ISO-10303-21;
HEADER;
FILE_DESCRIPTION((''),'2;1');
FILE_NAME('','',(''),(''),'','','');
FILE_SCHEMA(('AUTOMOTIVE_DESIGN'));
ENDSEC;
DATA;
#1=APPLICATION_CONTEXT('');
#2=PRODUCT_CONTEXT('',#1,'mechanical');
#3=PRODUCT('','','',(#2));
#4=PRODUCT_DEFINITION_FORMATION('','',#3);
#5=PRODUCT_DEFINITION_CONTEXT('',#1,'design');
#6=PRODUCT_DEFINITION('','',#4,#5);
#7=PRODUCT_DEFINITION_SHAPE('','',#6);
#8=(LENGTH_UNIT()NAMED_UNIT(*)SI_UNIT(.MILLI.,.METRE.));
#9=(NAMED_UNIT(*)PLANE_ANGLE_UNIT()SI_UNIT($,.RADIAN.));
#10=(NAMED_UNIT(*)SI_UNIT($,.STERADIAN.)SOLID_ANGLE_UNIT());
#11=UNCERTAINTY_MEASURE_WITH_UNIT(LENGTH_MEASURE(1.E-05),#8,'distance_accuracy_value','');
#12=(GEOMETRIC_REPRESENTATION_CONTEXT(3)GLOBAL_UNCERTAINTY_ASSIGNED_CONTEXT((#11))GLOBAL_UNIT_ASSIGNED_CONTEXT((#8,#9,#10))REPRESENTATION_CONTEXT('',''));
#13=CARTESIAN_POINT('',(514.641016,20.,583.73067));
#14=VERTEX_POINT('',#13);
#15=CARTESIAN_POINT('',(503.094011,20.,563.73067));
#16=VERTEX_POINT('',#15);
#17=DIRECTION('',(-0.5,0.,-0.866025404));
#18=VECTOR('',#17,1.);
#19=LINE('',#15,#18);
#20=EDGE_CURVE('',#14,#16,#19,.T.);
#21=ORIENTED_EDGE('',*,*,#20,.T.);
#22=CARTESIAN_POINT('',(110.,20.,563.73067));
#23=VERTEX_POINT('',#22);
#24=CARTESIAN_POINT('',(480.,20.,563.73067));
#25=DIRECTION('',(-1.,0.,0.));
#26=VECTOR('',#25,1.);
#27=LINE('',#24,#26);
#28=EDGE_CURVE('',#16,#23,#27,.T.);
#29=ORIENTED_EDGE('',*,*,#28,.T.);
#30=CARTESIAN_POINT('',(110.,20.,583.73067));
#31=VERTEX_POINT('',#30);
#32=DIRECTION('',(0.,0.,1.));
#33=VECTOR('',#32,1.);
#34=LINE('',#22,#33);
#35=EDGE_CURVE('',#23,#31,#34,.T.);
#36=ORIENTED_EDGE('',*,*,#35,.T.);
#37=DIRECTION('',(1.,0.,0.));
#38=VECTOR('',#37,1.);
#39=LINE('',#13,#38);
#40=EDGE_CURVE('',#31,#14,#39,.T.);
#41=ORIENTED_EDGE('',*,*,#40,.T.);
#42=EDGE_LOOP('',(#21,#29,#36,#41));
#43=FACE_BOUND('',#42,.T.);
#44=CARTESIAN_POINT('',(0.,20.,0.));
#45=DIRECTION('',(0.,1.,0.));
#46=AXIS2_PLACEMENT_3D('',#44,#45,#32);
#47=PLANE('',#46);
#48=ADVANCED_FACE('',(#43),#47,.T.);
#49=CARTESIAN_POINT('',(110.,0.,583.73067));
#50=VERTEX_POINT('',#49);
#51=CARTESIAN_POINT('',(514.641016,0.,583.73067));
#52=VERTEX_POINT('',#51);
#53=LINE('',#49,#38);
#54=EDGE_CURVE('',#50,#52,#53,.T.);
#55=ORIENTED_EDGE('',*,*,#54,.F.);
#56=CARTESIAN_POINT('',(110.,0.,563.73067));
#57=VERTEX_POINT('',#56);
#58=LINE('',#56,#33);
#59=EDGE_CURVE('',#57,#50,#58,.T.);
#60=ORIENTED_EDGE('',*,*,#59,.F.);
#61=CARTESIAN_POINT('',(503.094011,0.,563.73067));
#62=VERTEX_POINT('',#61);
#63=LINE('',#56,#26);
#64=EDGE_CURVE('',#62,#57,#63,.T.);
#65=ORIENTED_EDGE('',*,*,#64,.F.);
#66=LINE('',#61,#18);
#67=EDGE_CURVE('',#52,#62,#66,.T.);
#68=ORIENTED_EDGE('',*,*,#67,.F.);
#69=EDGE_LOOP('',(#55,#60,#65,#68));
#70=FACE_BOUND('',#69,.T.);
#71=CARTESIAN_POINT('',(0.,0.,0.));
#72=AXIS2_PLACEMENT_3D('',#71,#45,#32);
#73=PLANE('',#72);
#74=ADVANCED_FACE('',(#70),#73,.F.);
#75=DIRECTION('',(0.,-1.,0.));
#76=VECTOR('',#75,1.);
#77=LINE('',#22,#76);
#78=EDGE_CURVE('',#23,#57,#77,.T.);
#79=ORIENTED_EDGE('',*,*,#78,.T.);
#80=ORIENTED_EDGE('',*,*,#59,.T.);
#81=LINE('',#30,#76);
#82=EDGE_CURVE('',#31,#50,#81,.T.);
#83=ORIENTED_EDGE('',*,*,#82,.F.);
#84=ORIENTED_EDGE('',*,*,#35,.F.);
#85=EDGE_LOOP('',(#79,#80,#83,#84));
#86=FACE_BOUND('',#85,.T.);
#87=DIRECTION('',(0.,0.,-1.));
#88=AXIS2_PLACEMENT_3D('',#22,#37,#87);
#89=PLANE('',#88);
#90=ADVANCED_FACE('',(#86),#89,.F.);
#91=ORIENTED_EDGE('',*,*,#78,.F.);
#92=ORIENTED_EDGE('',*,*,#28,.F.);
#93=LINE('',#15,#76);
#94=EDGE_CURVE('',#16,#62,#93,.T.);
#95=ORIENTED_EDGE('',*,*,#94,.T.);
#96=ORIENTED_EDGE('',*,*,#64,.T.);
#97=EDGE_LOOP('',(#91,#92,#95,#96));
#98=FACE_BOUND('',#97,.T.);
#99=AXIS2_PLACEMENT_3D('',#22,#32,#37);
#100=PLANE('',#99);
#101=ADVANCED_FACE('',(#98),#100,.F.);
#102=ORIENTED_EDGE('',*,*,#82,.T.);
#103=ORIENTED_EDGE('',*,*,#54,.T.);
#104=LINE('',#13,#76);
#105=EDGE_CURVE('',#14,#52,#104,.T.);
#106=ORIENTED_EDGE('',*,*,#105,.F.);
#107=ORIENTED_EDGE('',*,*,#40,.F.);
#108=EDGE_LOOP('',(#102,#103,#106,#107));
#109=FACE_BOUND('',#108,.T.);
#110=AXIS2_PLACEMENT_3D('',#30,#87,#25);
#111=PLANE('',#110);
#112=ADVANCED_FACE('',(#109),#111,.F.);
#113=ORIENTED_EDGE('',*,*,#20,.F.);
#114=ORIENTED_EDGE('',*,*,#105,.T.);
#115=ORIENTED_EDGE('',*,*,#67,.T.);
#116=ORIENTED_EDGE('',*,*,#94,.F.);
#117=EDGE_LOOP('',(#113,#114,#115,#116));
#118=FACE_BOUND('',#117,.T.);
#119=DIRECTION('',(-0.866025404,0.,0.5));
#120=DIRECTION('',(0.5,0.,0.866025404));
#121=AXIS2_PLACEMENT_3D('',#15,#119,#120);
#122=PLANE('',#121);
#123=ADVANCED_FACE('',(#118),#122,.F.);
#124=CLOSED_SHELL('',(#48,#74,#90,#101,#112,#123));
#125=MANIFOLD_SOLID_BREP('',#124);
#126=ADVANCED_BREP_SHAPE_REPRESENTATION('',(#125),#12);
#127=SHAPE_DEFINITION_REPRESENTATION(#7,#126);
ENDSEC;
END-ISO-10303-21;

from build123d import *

# Parameters (mm, degrees)
EXTRUDE_1_DEPTH = 20


with BuildPart() as part:
    # 草图1 → 凸台-拉伸1 (new body)
    with BuildSketch(Plane(origin=(0, 0, 0), x_dir=(1, 0, 0), z_dir=(0, 1, 0))):
        Polygon((480, -563.730669589), (503.094010768, -563.730669589), (514.641016151, -583.730669589), (480, -583.730669589), (110, -583.730669589), (110, -563.730669589), align=None)
    extrude(amount=EXTRUDE_1_DEPTH)


solid = part.part
